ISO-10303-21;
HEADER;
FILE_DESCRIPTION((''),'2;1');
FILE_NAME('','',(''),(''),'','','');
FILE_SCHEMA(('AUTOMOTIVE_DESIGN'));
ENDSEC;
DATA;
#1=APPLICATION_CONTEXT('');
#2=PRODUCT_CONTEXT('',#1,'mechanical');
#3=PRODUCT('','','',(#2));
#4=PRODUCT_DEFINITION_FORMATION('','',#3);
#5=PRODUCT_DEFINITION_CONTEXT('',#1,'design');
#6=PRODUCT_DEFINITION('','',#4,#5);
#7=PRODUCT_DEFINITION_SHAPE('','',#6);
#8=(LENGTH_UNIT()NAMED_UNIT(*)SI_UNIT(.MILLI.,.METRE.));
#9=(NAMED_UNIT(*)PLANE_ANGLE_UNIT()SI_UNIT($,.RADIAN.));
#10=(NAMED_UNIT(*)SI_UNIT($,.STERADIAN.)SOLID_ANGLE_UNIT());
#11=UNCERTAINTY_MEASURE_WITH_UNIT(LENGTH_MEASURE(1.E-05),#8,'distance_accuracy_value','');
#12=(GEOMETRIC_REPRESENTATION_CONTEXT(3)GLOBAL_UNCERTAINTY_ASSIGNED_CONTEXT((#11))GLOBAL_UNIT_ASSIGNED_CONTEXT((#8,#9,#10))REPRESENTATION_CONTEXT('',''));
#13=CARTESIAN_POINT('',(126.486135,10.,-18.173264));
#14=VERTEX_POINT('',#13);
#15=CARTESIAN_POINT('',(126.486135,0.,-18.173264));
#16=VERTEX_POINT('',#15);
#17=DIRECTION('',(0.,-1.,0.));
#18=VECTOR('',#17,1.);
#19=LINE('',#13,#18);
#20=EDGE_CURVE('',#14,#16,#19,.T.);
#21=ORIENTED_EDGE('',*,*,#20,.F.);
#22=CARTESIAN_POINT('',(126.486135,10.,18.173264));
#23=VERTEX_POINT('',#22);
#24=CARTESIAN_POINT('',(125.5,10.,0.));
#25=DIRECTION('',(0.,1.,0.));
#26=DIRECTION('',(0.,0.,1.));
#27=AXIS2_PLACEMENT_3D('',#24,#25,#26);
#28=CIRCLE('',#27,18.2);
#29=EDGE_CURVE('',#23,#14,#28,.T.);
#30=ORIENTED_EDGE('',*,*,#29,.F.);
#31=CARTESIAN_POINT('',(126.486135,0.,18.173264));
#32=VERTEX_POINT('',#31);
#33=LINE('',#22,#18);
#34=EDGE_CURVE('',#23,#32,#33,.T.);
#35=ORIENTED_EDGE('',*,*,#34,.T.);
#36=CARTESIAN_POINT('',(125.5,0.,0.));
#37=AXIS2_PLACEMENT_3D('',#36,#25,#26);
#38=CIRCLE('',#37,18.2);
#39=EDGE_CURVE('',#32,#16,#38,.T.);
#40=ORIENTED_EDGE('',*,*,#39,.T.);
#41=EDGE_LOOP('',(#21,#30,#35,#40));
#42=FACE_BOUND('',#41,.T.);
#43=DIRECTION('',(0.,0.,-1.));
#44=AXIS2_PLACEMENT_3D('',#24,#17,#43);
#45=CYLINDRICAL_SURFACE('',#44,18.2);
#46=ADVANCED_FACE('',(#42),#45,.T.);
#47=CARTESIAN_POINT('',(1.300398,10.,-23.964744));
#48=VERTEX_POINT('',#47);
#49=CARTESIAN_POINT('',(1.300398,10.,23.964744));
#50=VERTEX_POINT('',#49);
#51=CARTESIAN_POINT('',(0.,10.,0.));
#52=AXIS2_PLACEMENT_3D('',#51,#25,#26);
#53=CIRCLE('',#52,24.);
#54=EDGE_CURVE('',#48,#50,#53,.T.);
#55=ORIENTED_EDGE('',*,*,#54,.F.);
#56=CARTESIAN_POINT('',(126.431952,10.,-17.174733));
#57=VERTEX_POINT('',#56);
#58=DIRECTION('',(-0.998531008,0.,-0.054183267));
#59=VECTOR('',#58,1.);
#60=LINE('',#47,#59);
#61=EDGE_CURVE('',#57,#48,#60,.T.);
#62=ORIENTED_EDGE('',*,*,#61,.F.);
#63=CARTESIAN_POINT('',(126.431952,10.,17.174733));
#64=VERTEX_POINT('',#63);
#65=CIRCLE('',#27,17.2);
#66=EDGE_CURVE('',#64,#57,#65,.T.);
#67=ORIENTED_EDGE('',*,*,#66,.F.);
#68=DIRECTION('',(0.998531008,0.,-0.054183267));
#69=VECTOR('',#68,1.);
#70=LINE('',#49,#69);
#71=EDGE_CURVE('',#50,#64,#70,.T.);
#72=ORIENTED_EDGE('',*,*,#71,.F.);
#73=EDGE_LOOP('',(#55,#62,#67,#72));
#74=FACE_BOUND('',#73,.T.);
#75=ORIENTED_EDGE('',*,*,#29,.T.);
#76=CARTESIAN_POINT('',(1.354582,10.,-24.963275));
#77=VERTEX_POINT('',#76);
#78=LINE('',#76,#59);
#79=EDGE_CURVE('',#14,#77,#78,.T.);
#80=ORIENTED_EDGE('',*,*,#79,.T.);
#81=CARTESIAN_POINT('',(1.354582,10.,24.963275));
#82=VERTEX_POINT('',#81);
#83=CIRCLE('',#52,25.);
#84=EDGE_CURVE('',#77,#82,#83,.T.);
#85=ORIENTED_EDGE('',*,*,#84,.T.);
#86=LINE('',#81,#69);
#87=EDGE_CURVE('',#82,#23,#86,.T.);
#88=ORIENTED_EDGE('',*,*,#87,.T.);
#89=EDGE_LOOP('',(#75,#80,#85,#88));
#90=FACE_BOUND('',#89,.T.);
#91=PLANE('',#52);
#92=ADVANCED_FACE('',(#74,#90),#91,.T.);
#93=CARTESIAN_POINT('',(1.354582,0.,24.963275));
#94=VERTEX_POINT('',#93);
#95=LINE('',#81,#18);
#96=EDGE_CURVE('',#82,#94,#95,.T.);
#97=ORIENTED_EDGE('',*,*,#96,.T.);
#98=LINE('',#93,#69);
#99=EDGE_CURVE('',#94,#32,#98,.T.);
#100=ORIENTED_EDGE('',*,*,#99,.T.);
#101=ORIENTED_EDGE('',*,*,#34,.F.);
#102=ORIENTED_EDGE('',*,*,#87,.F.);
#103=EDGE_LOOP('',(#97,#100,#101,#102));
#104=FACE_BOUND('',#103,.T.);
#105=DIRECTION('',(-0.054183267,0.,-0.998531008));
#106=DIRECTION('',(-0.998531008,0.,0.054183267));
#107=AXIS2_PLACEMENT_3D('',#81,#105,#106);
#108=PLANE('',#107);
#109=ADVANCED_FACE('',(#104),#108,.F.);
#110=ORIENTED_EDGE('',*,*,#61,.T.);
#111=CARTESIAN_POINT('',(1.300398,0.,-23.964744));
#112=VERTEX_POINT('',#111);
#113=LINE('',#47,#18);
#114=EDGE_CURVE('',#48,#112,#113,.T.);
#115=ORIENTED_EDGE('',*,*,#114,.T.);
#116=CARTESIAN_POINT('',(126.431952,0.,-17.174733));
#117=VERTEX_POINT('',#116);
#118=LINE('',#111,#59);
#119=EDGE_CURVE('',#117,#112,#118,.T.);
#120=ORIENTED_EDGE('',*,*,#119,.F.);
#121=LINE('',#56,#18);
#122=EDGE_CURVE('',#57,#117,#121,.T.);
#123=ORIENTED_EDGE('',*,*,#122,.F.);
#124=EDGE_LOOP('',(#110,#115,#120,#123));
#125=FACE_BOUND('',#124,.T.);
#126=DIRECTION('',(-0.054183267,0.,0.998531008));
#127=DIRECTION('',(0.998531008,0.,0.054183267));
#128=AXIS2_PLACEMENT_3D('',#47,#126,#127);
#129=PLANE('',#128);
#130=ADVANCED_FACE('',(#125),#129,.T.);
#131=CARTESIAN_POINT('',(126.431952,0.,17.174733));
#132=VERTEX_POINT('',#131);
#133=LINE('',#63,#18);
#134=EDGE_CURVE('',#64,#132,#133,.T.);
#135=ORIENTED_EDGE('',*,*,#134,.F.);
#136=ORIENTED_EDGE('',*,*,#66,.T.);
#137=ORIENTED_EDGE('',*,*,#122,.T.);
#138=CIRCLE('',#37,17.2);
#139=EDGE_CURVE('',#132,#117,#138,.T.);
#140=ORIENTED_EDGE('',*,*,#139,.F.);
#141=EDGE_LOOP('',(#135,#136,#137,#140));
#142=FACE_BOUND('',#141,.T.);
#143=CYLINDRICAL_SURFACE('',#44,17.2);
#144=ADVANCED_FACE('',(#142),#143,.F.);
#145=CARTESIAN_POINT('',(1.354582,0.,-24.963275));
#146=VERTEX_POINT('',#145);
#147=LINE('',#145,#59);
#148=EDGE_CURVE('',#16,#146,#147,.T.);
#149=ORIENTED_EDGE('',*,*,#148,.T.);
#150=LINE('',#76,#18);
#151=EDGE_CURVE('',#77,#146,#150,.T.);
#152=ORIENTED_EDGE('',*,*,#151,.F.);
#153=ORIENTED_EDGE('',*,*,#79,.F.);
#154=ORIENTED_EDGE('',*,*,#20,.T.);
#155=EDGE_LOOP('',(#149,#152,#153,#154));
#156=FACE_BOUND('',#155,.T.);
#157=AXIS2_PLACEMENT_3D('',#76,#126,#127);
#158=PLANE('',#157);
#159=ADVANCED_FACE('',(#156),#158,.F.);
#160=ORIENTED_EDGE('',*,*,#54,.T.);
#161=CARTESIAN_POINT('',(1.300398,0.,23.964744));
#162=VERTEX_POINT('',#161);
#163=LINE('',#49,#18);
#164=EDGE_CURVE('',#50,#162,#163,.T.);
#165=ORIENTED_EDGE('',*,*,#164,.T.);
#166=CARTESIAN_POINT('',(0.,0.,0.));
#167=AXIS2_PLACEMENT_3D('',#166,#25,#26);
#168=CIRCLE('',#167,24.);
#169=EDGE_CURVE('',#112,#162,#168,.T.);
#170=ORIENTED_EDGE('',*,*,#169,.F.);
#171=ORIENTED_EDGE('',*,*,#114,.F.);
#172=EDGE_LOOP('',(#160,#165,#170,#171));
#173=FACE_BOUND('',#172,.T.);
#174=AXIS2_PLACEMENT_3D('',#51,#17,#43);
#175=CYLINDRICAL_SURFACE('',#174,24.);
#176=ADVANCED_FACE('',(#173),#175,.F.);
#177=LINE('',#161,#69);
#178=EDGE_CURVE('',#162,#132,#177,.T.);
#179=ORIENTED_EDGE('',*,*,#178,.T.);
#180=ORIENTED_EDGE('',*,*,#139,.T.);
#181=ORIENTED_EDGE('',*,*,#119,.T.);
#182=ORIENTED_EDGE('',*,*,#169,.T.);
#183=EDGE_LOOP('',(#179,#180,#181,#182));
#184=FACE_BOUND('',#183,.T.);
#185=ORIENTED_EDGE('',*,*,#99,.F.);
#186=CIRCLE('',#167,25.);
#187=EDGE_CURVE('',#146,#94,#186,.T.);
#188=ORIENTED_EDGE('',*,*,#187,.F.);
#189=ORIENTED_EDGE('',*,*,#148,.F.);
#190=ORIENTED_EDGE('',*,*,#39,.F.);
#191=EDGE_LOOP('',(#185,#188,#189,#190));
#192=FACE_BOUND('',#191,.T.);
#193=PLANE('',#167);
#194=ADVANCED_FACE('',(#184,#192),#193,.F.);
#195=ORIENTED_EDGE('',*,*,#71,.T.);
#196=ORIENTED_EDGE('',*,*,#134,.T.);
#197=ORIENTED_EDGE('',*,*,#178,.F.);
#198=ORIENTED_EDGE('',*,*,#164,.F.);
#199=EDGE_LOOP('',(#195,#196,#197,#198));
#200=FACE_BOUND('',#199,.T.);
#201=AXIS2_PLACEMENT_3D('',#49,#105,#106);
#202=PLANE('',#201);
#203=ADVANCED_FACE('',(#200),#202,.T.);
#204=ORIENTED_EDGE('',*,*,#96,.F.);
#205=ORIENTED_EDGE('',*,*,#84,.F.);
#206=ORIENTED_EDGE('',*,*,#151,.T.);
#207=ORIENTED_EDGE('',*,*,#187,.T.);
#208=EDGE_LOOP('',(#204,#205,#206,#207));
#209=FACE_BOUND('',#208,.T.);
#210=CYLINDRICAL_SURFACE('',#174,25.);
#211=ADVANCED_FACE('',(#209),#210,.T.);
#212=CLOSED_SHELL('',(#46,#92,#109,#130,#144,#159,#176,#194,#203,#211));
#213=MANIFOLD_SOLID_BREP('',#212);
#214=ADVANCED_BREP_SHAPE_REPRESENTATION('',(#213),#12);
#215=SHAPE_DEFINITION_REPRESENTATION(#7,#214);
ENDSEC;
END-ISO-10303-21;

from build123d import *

# Parameters (mm, degrees)
BOSS_EXTRUDE1_DEPTH = 10


with BuildPart() as part:
    # Sketch1 → Boss-Extrude1 (new body)
    with BuildSketch(Plane(origin=(0, 0, 0), x_dir=(1, 0, 0), z_dir=(0, 1, 0))):
        with BuildLine():
            Line((1.354581673, 24.963275196), (126.486135458, 18.173264342))
            ThreePointArc((126.486135458, 18.173264342), (143.7, 0), (126.486135458, -18.173264342))
            Line((126.486135458, -18.173264342), (1.354581673, -24.963275196))
            ThreePointArc((1.354581673, -24.963275196), (-25, 0), (1.354581673, 24.963275196))
        make_face()
        with BuildLine():
            Line((1.300398406, 23.964744188), (126.431952191, 17.174733335))
            ThreePointArc((126.431952191, 17.174733335), (142.7, 0), (126.431952191, -17.174733335))
            Line((126.431952191, -17.174733335), (1.300398406, -23.964744188))
            ThreePointArc((1.300398406, -23.964744188), (-24, 0), (1.300398406, 23.964744188))
        make_face(mode=Mode.SUBTRACT)
    extrude(amount=BOSS_EXTRUDE1_DEPTH)


solid = part.part
